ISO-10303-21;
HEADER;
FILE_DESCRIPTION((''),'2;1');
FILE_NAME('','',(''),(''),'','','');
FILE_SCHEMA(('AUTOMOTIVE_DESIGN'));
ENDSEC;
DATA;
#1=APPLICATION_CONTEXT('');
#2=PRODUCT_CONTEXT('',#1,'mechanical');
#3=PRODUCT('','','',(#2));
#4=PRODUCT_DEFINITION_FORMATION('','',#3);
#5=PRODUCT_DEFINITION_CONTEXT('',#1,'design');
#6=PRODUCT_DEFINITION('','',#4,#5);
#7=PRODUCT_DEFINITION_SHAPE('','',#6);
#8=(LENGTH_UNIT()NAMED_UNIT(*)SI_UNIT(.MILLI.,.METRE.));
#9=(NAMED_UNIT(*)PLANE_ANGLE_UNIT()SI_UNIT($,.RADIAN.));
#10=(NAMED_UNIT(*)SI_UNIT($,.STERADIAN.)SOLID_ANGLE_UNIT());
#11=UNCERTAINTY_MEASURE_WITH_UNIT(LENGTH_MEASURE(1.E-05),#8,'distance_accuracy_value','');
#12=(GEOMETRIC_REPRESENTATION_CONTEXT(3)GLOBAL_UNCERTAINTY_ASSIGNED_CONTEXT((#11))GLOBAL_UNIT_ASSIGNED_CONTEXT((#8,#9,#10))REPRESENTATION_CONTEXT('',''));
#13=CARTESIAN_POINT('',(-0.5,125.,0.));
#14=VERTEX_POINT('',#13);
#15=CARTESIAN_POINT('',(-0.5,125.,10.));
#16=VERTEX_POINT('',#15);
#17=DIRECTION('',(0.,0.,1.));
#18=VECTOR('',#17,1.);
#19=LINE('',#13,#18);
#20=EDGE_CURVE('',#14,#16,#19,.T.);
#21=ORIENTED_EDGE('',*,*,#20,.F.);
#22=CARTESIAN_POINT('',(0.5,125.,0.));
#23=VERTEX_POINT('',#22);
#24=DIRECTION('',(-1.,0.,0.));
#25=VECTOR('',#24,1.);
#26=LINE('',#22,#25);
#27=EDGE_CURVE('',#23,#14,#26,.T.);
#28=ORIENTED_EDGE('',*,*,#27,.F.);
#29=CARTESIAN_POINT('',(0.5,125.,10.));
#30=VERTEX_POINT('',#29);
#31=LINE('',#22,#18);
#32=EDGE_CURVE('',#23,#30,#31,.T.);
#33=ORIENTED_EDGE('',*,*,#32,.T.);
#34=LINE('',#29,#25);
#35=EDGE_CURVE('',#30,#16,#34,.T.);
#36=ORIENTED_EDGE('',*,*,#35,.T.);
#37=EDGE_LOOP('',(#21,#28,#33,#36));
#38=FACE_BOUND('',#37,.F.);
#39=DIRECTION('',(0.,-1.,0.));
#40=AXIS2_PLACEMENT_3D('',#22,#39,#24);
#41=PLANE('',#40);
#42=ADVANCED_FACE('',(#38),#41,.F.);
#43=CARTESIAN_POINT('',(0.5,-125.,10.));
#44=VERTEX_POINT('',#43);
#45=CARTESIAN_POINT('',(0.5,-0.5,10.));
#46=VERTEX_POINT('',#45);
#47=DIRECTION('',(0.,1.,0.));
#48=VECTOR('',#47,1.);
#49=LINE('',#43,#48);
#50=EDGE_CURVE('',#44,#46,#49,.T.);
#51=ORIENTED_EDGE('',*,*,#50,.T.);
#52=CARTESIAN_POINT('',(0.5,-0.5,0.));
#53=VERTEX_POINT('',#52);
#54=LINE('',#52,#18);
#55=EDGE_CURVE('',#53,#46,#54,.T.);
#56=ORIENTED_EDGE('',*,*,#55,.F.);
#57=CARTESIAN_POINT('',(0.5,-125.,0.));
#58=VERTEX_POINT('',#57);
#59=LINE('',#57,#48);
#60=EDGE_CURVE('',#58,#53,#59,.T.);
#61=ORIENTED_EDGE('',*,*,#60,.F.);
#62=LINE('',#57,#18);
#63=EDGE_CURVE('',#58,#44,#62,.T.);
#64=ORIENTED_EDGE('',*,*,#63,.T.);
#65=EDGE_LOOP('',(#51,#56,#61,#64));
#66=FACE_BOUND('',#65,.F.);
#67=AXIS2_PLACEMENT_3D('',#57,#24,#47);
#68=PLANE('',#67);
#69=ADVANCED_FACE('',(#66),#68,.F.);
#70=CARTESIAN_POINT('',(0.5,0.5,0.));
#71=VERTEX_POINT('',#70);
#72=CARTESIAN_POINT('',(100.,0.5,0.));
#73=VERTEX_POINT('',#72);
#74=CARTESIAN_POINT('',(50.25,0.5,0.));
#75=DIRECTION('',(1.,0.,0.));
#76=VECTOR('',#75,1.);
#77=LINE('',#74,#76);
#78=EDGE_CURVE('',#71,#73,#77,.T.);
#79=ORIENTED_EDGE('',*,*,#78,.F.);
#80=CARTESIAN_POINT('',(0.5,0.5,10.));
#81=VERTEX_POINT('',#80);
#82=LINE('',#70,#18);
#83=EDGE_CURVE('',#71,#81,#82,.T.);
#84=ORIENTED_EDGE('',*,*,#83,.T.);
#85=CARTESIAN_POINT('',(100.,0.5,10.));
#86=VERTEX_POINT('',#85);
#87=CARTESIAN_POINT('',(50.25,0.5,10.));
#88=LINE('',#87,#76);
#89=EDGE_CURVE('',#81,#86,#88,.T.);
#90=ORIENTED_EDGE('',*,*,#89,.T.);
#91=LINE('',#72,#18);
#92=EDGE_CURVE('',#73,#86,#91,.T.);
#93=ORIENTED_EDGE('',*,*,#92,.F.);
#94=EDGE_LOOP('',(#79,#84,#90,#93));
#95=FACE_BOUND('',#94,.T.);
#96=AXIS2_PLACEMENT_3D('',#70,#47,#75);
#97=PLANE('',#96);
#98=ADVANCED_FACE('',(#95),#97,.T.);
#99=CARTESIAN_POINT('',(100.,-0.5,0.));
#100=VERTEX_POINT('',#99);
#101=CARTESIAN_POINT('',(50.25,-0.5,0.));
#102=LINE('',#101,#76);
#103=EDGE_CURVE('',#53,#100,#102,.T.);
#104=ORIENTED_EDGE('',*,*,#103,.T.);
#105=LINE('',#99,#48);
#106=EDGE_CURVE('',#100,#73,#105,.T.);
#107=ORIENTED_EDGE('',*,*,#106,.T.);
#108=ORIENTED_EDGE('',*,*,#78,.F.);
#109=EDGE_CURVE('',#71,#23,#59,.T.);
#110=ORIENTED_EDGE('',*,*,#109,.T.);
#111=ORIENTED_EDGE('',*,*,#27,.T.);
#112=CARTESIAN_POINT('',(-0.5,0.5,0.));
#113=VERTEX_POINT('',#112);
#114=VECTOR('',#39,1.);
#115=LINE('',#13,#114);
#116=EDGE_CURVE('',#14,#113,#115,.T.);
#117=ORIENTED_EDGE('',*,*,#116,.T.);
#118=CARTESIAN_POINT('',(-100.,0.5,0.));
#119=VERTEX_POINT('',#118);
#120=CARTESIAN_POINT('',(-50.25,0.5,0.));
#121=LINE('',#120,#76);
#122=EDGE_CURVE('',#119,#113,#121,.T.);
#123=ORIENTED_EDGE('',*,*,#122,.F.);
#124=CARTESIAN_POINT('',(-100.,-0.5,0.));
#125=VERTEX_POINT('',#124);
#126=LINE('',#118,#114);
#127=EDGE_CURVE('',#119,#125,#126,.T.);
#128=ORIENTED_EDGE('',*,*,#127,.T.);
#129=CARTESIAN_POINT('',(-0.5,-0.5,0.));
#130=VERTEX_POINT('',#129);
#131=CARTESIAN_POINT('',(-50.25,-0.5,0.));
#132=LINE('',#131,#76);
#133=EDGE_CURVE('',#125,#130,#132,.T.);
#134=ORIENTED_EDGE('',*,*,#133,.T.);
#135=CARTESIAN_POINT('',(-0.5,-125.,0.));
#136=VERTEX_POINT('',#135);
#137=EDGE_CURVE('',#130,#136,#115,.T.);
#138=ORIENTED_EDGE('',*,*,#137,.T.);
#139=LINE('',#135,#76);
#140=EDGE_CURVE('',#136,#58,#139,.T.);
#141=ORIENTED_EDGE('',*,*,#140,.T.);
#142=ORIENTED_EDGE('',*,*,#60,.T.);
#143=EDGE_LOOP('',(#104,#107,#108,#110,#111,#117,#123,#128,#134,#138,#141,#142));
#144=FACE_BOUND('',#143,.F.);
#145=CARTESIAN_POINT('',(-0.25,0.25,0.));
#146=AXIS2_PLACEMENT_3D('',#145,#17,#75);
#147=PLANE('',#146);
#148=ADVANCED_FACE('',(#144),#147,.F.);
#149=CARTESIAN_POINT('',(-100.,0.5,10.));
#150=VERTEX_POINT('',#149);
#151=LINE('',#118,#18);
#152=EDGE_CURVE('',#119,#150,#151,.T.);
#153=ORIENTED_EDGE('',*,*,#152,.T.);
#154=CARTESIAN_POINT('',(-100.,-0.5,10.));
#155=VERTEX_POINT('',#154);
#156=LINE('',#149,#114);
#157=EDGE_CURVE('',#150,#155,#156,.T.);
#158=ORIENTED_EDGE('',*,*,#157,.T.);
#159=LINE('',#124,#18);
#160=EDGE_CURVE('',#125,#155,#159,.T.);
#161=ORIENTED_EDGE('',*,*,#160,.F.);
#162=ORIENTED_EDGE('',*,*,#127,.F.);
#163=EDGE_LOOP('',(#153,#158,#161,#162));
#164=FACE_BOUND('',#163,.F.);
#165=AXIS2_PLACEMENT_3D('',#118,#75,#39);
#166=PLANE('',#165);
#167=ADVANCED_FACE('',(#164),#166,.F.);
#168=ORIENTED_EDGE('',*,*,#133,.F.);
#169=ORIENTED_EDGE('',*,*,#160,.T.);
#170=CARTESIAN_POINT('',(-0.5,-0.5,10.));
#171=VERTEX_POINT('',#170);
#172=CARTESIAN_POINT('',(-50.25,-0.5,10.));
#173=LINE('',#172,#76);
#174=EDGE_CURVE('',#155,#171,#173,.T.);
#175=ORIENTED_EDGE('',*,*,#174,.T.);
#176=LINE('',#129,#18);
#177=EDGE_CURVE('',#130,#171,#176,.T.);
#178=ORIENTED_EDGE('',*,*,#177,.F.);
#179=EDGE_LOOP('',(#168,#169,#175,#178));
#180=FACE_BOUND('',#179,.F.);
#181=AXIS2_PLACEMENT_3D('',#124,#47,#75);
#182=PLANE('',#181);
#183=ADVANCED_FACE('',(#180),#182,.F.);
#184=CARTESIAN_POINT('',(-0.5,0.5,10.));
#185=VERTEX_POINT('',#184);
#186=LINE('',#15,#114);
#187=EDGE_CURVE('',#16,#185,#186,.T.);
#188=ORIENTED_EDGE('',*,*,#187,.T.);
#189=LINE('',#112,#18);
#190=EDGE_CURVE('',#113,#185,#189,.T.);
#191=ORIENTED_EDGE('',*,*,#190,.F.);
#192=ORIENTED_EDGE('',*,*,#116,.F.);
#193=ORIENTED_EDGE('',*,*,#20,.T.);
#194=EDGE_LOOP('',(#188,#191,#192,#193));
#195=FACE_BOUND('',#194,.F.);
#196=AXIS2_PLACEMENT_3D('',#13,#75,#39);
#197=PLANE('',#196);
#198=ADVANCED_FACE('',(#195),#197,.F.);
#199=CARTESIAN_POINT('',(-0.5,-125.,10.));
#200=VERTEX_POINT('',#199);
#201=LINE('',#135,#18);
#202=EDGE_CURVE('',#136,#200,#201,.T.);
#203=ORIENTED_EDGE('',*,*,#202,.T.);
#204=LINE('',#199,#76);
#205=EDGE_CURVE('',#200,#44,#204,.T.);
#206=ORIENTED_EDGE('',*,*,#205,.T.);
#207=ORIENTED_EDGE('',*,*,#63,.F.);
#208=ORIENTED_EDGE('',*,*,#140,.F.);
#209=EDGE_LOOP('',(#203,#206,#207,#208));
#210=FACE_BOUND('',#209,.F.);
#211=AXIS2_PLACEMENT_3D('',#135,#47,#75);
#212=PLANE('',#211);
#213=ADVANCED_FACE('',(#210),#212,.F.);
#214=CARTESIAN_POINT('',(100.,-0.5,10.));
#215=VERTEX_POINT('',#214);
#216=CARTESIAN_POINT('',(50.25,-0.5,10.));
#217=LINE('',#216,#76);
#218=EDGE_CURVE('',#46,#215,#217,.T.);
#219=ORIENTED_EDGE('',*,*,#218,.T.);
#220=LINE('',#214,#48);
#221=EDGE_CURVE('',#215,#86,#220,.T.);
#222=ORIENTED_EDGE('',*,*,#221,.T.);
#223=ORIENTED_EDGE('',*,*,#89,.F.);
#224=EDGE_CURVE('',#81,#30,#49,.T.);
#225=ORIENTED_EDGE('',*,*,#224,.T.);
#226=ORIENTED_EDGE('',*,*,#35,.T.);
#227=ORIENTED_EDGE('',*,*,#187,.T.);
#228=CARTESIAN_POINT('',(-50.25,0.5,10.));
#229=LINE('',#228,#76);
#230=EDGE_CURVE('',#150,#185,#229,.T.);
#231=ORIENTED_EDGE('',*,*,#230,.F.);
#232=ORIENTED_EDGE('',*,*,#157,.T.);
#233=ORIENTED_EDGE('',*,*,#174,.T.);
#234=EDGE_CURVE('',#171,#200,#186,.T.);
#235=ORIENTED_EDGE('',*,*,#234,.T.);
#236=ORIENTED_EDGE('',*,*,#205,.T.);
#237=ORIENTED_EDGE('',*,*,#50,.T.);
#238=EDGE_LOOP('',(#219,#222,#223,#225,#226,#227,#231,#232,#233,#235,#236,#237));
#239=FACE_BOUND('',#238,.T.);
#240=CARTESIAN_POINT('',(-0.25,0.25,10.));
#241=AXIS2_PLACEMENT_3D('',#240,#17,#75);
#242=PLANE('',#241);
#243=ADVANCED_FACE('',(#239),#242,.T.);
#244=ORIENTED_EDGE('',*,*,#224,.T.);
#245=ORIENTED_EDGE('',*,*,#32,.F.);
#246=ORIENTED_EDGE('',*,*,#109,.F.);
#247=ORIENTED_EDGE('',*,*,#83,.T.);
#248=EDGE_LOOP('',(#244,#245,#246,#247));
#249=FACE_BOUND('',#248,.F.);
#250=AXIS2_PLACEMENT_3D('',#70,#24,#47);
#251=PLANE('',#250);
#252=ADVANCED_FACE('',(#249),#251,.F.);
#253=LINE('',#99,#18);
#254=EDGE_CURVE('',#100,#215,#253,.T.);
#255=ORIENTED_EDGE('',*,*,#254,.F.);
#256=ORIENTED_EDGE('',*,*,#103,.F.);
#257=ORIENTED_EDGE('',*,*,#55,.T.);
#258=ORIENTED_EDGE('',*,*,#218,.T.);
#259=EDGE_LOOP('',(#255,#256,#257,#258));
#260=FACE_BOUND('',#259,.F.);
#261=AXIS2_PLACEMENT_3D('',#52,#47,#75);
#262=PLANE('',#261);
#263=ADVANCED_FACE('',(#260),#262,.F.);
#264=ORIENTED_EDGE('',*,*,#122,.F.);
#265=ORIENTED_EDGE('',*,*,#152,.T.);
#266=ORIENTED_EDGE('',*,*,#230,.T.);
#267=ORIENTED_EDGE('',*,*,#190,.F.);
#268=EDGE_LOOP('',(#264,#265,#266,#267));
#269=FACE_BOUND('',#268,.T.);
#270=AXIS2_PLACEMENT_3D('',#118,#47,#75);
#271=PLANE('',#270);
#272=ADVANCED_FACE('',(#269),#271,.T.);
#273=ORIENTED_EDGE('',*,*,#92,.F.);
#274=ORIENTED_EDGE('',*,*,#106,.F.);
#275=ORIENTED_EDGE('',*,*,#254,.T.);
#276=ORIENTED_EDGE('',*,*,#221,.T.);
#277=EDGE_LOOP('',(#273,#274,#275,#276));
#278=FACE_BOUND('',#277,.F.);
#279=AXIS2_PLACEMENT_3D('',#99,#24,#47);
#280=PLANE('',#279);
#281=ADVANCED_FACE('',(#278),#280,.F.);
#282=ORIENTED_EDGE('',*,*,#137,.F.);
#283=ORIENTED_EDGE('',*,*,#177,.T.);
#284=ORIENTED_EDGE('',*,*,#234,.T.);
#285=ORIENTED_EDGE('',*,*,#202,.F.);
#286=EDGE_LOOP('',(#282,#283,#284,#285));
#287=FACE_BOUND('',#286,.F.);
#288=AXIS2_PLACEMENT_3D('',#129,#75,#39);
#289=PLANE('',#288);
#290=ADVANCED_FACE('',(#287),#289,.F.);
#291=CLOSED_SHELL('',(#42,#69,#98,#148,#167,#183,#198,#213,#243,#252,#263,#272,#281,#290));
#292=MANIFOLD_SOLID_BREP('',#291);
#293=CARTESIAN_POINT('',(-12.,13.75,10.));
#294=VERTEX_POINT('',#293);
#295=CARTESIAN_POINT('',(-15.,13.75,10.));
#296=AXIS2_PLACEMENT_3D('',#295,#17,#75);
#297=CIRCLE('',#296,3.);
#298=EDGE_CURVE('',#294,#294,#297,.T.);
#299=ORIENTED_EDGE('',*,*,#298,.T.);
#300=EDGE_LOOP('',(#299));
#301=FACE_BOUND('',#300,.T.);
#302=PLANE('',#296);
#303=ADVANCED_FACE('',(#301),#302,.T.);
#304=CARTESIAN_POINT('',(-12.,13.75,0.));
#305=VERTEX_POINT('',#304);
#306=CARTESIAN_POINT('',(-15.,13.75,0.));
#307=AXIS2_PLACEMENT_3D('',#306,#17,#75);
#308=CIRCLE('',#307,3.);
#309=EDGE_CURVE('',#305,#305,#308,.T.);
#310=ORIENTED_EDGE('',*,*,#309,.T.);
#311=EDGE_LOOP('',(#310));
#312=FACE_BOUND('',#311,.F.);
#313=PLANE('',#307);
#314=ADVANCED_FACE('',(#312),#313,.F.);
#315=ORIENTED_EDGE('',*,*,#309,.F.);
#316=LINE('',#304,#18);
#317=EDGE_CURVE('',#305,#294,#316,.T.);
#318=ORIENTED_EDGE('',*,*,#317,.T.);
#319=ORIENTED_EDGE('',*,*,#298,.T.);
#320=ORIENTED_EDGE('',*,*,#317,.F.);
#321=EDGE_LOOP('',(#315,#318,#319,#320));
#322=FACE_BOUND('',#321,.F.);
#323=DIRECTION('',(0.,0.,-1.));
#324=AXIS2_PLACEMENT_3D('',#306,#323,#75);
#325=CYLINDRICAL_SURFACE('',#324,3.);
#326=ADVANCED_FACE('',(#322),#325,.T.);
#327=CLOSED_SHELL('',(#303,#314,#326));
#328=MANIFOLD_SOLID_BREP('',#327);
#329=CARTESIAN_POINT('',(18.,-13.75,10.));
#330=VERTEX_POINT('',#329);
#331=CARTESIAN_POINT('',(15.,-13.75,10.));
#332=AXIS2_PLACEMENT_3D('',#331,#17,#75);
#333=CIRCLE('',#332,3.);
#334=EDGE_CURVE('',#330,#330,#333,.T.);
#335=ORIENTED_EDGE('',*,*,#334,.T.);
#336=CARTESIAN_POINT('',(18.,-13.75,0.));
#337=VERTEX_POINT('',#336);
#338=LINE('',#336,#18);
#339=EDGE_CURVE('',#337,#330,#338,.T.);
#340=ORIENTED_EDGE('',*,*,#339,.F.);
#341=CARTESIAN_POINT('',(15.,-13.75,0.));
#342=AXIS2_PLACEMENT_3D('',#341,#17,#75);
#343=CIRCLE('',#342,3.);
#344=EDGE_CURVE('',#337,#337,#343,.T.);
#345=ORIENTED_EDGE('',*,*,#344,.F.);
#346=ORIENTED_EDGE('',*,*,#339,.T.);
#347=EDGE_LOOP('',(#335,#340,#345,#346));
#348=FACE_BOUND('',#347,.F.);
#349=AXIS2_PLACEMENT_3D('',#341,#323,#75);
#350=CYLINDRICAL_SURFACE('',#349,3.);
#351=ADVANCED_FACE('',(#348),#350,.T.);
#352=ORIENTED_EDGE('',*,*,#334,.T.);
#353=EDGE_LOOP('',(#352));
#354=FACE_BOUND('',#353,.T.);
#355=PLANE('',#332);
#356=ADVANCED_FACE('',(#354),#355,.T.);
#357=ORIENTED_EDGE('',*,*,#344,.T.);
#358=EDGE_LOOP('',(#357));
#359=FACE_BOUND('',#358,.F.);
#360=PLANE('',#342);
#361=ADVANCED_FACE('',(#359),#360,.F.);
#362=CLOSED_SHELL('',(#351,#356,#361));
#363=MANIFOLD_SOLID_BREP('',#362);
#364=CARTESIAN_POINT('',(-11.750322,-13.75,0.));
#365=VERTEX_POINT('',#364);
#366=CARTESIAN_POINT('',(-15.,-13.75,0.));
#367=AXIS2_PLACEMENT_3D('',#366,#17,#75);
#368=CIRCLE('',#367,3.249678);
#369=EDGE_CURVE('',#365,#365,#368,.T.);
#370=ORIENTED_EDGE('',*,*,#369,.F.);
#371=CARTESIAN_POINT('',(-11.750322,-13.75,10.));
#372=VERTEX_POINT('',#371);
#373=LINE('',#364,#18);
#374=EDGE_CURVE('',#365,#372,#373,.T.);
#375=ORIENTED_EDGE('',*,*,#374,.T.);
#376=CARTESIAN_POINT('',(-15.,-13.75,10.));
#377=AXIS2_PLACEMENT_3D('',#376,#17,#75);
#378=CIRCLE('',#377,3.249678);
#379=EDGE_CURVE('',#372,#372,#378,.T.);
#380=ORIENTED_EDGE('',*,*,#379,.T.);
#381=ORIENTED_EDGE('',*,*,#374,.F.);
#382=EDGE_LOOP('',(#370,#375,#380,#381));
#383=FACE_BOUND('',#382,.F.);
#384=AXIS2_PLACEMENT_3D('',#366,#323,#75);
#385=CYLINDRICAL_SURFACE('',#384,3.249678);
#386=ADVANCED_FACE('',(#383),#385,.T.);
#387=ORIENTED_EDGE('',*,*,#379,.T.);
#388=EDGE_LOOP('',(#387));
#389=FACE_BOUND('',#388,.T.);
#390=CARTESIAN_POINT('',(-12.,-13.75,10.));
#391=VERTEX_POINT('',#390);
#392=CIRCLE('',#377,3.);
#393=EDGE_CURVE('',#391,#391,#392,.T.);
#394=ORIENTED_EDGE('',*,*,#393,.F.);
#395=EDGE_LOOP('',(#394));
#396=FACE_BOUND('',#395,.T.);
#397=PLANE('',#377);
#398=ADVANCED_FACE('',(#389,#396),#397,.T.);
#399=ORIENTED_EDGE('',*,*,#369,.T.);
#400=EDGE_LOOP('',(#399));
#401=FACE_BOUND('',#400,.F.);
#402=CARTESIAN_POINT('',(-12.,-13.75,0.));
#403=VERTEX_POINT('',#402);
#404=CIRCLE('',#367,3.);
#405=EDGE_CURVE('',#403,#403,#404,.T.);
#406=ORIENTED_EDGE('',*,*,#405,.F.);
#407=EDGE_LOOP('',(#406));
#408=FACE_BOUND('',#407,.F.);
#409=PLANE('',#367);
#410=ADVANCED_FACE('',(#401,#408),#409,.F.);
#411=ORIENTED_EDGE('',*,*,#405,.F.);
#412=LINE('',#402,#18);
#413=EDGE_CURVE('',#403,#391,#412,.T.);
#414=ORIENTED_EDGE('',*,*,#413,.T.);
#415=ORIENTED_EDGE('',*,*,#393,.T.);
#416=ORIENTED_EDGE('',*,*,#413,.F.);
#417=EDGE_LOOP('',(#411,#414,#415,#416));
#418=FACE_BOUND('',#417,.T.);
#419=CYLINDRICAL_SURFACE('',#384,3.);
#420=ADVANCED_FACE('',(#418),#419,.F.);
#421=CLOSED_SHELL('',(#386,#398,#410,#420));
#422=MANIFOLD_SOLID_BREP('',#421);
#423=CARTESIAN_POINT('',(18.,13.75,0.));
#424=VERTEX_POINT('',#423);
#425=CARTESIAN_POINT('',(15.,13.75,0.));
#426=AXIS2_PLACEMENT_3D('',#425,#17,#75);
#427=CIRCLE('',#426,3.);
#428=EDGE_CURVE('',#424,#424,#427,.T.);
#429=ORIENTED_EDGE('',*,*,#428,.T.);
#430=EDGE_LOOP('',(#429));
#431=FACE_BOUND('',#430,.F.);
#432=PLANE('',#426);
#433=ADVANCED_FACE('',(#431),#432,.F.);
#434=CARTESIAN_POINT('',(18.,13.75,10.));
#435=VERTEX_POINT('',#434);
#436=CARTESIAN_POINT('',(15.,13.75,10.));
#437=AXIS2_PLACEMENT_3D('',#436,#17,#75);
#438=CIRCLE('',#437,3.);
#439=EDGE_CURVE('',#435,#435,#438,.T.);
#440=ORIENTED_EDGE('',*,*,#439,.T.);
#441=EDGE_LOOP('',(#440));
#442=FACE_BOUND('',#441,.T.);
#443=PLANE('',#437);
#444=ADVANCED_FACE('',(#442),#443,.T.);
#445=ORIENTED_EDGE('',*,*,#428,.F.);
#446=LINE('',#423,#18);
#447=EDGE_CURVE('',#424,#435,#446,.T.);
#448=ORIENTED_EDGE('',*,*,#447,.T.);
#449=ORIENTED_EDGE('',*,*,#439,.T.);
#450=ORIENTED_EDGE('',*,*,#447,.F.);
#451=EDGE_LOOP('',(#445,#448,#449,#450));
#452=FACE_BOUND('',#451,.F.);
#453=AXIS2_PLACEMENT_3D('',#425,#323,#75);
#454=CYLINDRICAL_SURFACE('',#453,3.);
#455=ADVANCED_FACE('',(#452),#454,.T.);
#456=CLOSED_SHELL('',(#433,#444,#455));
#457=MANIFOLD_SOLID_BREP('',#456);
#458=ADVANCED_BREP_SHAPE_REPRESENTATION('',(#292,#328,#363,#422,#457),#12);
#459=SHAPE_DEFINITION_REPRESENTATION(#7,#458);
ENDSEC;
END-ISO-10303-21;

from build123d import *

# Parameters (mm, degrees)
F0_R     = 3
F1_DEPTH = 10
F0_R_2   = 3.2496779571
F0_W     = 0.5
F0_H     = 0.5
F0_W_2   = 99.5


with BuildPart() as f1:
    # F0 (on Top) → F1 (new body)
    with BuildSketch(Plane.XY):
        with Locations((-15, 13.75)):
            Circle(F0_R)
    extrude(amount=F1_DEPTH)


with BuildPart() as f1b:
    # F0 (on Top) → F1, piece 2 (new body)
    with BuildSketch(Plane.XY):
        with Locations((-15, -13.75)):
            Circle(F0_R_2)
        with Locations((-15, -13.75)):
            Circle(F0_R, mode=Mode.SUBTRACT)
    extrude(amount=F1_DEPTH)


with BuildPart() as f1c:
    # F0 (on Top) → F1, piece 3 (new body)
    with BuildSketch(Plane.XY):
        with Locations((15, 13.75)):
            Circle(F0_R)
    extrude(amount=F1_DEPTH)


with BuildPart() as f1d:
    # F0 (on Top) → F1, piece 4 (new body)
    with BuildSketch(Plane.XY):
        with Locations((15, -13.75)):
            Circle(F0_R)
    extrude(amount=F1_DEPTH)


with BuildPart() as f1e:
    # F0 (on Top) → F1, piece 5 (new body)
    with BuildSketch(Plane.XY):
        with Locations((-0.25, 0.25)):
            Rectangle(F0_W, F0_H)
        with Locations((0.25, -0.25)):
            Rectangle(F0_W, F0_H)
        with Locations((-0.25, -0.25)):
            Rectangle(F0_W, F0_H)
        with Locations((0.25, 0.25)):
            Rectangle(F0_W, F0_H)
        Polygon((-0.5, 0.5), (0, 0.5), (0.5, 0.5), (0.5, 125), (-0.5, 125), align=None)
        Polygon((0.5, -0.5), (0, -0.5), (-0.5, -0.5), (-0.5, -125), (0.5, -125), align=None)
        with Locations((-50.25, -0.25)):
            Rectangle(F0_W_2, F0_H)
        with Locations((-50.25, 0.25)):
            Rectangle(F0_W_2, F0_H)
        with Locations((50.25, 0.25)):
            Rectangle(F0_W_2, F0_H)
        with Locations((50.25, -0.25)):
            Rectangle(F0_W_2, F0_H)
    extrude(amount=F1_DEPTH)


solid = Compound([f1.part, f1b.part, f1c.part, f1d.part, f1e.part])
